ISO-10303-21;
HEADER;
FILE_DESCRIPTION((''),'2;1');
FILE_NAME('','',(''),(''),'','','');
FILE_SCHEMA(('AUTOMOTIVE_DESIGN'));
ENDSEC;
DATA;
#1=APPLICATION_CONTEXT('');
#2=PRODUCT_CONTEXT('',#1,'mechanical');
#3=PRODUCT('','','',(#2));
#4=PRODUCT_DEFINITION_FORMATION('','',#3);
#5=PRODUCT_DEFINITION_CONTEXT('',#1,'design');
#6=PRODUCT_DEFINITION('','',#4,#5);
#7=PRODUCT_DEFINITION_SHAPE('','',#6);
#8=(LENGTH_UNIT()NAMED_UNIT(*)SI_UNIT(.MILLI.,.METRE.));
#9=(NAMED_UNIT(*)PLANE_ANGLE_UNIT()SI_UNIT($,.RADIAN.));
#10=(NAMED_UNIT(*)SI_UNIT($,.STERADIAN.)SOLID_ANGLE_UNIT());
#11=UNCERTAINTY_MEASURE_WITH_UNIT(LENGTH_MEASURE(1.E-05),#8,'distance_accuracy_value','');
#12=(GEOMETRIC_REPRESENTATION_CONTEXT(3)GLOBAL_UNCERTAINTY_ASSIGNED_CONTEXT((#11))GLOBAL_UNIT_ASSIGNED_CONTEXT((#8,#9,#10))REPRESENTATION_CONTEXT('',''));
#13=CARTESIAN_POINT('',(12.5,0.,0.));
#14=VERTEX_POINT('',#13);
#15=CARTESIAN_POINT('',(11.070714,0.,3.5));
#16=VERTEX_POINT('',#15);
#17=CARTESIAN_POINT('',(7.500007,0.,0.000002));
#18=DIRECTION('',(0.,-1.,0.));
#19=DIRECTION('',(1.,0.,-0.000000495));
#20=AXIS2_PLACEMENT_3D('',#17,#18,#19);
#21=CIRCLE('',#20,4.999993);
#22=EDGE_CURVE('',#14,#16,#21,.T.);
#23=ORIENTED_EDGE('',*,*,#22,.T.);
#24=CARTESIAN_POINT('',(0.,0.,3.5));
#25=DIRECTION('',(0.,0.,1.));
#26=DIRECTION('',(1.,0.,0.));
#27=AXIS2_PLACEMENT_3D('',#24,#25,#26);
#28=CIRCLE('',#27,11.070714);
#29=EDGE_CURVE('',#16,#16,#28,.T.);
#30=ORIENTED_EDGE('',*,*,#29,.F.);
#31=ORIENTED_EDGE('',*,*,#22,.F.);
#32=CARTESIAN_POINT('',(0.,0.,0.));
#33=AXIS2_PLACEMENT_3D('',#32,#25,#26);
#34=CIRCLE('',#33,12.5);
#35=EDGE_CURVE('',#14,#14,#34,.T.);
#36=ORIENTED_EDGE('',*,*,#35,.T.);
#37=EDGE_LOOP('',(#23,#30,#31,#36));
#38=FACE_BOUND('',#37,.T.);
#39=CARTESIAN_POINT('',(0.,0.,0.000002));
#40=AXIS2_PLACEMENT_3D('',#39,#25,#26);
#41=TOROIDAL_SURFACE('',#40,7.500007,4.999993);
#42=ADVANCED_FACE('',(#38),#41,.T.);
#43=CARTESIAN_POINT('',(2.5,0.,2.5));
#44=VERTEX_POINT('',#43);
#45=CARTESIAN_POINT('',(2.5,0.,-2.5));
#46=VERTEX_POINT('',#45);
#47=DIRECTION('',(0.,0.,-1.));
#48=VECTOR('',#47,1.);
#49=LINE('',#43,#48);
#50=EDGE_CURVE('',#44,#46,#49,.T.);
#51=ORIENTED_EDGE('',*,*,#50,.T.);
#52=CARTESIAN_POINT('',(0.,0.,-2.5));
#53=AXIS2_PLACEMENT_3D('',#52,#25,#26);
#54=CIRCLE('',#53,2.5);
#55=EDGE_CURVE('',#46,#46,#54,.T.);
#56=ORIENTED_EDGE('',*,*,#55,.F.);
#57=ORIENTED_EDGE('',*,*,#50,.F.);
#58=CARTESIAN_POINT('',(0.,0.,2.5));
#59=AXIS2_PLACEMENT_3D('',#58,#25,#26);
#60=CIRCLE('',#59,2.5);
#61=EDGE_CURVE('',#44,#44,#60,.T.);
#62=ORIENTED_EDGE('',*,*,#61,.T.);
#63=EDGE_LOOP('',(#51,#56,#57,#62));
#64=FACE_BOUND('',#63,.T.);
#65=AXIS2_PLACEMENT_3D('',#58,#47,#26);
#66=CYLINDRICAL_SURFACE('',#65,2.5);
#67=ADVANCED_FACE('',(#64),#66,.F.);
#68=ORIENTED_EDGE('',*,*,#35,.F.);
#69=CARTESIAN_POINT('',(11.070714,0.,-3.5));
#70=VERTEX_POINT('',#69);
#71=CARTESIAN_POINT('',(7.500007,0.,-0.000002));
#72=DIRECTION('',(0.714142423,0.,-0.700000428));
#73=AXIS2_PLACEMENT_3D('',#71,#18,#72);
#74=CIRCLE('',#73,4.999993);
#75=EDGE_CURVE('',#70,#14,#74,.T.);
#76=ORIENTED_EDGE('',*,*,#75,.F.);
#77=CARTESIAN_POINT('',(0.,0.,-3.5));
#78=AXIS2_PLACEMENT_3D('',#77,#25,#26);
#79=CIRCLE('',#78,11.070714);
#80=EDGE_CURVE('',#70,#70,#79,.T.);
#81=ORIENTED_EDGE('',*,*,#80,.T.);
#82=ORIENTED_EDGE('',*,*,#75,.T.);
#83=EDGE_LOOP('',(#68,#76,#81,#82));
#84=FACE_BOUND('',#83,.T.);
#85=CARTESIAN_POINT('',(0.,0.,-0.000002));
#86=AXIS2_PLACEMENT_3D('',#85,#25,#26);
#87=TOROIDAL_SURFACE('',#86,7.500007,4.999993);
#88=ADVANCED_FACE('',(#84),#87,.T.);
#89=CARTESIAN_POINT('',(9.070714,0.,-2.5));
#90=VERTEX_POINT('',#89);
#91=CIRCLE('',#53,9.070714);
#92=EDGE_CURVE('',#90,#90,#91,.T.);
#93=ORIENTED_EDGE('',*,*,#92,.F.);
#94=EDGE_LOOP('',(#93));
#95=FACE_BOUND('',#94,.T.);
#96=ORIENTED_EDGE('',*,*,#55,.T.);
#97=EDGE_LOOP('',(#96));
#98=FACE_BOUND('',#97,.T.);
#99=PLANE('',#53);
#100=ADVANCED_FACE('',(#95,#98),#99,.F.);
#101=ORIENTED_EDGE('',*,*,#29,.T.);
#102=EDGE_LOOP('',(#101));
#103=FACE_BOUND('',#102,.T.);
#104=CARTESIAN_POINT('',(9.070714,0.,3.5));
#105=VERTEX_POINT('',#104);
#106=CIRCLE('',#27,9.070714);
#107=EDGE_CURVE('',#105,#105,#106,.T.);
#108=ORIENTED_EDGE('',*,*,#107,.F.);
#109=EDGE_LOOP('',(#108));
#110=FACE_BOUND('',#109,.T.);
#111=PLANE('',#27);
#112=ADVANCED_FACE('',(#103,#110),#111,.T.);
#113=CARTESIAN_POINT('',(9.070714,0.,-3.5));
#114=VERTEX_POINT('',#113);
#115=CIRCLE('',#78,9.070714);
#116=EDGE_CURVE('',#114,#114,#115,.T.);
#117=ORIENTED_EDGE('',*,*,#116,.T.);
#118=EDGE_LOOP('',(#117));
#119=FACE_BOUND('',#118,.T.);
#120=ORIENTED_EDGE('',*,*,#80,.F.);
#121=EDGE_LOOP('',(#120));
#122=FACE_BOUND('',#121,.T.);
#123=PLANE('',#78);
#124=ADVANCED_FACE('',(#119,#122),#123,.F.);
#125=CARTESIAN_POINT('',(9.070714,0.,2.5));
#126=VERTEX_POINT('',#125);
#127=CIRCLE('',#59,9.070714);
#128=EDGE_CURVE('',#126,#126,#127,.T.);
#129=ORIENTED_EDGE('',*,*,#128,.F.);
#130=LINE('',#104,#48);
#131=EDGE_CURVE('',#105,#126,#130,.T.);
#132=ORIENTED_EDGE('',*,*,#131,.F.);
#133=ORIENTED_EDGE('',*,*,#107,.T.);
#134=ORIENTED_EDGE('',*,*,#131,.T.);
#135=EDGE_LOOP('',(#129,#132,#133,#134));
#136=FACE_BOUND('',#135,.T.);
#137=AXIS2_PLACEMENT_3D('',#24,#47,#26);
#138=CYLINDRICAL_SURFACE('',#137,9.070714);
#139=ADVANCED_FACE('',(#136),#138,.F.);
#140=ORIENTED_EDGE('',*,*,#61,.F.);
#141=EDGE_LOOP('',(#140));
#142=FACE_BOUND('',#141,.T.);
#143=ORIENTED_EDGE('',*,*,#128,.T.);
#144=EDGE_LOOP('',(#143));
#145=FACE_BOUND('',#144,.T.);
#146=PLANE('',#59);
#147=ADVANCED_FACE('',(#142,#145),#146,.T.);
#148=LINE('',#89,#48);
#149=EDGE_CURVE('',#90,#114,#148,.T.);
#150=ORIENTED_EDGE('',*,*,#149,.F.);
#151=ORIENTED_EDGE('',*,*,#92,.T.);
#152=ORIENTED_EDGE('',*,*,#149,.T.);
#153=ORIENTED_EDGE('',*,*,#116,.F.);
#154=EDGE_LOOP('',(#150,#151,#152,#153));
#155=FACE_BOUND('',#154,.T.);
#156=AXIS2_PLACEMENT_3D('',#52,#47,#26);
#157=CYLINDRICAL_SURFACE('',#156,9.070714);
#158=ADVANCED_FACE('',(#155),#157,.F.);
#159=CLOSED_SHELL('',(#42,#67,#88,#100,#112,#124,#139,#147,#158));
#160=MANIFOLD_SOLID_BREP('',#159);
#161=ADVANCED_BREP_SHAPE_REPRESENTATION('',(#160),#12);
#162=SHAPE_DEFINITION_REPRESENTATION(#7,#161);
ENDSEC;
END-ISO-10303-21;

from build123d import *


with BuildPart() as f1:
    # F0 (on Front) → F1 (revolve)
    with BuildSketch(Plane.XZ):
        with BuildLine():
            ThreePointArc((11.070714, -3.5), (12.128908, -1.890295), (12.5, 0))
            ThreePointArc((12.5, 0), (12.128908, 1.890295), (11.070714, 3.5))
            Line((11.070714, 3.5), (9.070714, 3.5))
            Line((9.070714, 3.5), (9.070714, 2.5))
            Line((9.070714, 2.5), (2.5, 2.5))
            Line((2.5, 2.5), (2.5, 0))
            Line((2.5, 0), (2.5, -2.5))
            Line((2.5, -2.5), (9.070714, -2.5))
            Line((9.070714, -2.5), (9.070714, -3.5))
            Line((9.070714, -3.5), (11.070714, -3.5))
        make_face()
    revolve(axis=Axis((0, 0, 4.247276), (0, 0, 1)))


solid = f1.part
